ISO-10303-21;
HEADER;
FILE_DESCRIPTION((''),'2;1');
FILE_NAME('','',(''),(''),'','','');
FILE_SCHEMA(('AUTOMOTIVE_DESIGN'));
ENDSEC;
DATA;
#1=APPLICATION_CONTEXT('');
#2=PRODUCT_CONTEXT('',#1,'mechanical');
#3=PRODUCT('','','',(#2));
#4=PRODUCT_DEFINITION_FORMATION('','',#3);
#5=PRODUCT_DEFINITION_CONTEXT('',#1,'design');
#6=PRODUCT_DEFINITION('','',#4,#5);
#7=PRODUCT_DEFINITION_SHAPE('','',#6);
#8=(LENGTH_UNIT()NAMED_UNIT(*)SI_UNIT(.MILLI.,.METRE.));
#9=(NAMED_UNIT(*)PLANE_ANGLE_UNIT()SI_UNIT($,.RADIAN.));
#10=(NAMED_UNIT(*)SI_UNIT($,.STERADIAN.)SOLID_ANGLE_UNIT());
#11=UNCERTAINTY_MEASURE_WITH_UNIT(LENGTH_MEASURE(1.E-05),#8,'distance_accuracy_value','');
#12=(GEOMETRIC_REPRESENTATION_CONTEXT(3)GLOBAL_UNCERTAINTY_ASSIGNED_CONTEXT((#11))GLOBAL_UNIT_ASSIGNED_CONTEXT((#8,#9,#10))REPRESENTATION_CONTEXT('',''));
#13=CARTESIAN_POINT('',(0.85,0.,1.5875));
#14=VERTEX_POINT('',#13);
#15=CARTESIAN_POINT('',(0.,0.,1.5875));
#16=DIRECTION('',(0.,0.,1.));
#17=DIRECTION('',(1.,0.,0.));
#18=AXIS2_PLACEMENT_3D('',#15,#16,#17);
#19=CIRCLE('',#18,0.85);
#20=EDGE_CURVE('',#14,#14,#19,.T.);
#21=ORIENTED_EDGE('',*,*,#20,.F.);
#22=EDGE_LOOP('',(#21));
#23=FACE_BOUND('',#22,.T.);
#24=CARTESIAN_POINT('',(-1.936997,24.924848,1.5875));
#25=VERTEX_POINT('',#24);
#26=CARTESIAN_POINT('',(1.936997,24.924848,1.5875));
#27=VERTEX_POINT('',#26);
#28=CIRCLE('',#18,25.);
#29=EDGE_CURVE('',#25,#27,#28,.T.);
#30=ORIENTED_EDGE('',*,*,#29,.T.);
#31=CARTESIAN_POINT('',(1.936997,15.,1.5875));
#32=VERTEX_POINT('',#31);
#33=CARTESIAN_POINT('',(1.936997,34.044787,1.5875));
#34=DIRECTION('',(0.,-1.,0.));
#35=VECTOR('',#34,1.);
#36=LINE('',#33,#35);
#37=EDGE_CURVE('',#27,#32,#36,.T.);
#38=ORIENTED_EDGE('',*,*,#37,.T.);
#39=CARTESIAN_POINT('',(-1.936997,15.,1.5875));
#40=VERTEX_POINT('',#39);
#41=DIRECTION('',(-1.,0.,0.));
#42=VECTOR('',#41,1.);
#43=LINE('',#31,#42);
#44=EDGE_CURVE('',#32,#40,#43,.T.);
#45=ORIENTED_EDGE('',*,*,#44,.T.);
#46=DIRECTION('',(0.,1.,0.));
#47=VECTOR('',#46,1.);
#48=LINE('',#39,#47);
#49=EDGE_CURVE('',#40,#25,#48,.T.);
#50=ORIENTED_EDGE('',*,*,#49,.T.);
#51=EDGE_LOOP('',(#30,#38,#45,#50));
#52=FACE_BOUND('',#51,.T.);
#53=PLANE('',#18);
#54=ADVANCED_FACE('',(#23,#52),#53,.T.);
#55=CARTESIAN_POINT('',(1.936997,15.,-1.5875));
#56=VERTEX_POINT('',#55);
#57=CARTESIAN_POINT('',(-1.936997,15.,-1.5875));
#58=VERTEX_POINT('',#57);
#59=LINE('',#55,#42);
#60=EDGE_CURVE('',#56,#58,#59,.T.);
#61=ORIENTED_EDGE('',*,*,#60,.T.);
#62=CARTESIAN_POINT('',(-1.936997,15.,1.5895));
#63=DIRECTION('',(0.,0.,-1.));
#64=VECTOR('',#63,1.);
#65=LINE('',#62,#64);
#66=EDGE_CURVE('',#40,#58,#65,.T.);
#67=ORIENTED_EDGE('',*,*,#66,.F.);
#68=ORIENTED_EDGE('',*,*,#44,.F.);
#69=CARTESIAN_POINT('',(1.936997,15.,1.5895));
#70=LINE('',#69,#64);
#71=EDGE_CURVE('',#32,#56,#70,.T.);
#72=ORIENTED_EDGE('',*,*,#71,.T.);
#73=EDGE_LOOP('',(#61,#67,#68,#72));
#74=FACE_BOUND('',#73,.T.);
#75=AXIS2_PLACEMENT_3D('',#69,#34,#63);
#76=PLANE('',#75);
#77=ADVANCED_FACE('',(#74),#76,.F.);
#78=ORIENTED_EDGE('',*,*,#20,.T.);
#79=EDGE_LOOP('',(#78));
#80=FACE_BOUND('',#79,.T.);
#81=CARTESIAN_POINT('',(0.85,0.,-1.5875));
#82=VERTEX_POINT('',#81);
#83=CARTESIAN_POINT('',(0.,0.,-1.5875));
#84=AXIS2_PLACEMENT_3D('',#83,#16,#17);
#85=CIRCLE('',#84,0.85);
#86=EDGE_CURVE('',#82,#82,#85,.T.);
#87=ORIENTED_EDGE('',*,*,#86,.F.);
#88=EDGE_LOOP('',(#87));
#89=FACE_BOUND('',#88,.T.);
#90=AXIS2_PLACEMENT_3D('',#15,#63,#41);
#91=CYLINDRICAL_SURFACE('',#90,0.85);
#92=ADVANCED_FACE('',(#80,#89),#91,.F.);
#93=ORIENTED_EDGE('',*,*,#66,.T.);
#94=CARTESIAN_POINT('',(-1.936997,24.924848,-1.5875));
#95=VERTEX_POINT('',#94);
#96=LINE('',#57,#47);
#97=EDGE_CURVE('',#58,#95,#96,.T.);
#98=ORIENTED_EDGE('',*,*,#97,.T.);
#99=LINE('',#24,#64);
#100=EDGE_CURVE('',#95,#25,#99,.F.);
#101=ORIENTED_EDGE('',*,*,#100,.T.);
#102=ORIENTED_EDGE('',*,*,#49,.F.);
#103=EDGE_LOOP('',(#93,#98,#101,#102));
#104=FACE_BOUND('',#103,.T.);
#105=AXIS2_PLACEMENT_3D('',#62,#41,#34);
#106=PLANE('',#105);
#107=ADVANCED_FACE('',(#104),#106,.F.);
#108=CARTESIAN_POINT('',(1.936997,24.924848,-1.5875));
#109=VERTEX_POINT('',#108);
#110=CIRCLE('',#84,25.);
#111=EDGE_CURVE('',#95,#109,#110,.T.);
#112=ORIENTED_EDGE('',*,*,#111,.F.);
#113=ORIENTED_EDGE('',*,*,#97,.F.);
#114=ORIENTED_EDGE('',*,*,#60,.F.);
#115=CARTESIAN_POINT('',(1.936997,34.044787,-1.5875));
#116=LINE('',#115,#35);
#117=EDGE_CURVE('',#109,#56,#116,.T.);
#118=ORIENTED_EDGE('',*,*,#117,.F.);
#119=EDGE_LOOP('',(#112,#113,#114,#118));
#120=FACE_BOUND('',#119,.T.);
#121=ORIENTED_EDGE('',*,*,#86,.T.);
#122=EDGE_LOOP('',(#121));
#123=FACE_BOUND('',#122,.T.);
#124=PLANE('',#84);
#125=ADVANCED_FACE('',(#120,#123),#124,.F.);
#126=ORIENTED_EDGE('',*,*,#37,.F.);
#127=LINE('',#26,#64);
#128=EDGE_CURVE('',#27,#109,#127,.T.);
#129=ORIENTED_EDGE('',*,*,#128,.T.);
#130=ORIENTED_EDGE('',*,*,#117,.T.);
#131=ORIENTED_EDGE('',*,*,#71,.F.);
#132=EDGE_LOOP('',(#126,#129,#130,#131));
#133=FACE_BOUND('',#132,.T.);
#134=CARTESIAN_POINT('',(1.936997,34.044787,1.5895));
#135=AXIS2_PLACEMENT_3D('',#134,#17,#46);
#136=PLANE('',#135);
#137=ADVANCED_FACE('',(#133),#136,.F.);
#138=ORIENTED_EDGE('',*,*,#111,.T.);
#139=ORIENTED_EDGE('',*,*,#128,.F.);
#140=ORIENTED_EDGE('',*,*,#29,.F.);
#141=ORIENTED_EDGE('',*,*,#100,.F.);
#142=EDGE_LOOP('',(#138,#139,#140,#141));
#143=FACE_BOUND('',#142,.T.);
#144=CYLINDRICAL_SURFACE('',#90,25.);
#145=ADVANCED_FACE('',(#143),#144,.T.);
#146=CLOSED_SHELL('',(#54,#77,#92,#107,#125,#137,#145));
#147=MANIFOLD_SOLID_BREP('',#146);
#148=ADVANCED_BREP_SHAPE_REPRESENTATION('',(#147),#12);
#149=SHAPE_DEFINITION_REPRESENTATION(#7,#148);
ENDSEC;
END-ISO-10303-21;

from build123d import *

# Parameters (mm, degrees)
SKETCH1_R           = 25
SKETCH1_R_2         = 0.85
BOSS_EXTRUDE1_DEPTH = 1.5875
CUT_EXTRUDE1_REACH  = 5.175
SKETCH2_W           = 3.873993702
SKETCH2_H           = 19.044786736


with BuildPart() as part:
    # Sketch1 → Boss-Extrude1 (new body, symmetric)
    with BuildSketch(Plane.XY):
        Circle(SKETCH1_R)
        Circle(SKETCH1_R_2, mode=Mode.SUBTRACT)
    extrude(amount=BOSS_EXTRUDE1_DEPTH, both=True)

    # Sketch2 → Cut-Extrude1 (cut, up to next)
    with BuildSketch(Plane(origin=(0, 0, -1.5875), x_dir=(-1, 0, 0), z_dir=(0, 0, -1)), mode=Mode.PRIVATE) as cut_extrude1_sk1:
        with Locations((0, 24.522393368)):
            Rectangle(SKETCH2_W, SKETCH2_H)
    cut_extrude1_tool1 = extrude(cut_extrude1_sk1.sketch, amount=-CUT_EXTRUDE1_REACH, mode=Mode.PRIVATE) & part.part
    add(cut_extrude1_tool1.solids().sort_by_distance((0, 24.522393, -1.5875))[0], mode=Mode.SUBTRACT)


solid = part.part
